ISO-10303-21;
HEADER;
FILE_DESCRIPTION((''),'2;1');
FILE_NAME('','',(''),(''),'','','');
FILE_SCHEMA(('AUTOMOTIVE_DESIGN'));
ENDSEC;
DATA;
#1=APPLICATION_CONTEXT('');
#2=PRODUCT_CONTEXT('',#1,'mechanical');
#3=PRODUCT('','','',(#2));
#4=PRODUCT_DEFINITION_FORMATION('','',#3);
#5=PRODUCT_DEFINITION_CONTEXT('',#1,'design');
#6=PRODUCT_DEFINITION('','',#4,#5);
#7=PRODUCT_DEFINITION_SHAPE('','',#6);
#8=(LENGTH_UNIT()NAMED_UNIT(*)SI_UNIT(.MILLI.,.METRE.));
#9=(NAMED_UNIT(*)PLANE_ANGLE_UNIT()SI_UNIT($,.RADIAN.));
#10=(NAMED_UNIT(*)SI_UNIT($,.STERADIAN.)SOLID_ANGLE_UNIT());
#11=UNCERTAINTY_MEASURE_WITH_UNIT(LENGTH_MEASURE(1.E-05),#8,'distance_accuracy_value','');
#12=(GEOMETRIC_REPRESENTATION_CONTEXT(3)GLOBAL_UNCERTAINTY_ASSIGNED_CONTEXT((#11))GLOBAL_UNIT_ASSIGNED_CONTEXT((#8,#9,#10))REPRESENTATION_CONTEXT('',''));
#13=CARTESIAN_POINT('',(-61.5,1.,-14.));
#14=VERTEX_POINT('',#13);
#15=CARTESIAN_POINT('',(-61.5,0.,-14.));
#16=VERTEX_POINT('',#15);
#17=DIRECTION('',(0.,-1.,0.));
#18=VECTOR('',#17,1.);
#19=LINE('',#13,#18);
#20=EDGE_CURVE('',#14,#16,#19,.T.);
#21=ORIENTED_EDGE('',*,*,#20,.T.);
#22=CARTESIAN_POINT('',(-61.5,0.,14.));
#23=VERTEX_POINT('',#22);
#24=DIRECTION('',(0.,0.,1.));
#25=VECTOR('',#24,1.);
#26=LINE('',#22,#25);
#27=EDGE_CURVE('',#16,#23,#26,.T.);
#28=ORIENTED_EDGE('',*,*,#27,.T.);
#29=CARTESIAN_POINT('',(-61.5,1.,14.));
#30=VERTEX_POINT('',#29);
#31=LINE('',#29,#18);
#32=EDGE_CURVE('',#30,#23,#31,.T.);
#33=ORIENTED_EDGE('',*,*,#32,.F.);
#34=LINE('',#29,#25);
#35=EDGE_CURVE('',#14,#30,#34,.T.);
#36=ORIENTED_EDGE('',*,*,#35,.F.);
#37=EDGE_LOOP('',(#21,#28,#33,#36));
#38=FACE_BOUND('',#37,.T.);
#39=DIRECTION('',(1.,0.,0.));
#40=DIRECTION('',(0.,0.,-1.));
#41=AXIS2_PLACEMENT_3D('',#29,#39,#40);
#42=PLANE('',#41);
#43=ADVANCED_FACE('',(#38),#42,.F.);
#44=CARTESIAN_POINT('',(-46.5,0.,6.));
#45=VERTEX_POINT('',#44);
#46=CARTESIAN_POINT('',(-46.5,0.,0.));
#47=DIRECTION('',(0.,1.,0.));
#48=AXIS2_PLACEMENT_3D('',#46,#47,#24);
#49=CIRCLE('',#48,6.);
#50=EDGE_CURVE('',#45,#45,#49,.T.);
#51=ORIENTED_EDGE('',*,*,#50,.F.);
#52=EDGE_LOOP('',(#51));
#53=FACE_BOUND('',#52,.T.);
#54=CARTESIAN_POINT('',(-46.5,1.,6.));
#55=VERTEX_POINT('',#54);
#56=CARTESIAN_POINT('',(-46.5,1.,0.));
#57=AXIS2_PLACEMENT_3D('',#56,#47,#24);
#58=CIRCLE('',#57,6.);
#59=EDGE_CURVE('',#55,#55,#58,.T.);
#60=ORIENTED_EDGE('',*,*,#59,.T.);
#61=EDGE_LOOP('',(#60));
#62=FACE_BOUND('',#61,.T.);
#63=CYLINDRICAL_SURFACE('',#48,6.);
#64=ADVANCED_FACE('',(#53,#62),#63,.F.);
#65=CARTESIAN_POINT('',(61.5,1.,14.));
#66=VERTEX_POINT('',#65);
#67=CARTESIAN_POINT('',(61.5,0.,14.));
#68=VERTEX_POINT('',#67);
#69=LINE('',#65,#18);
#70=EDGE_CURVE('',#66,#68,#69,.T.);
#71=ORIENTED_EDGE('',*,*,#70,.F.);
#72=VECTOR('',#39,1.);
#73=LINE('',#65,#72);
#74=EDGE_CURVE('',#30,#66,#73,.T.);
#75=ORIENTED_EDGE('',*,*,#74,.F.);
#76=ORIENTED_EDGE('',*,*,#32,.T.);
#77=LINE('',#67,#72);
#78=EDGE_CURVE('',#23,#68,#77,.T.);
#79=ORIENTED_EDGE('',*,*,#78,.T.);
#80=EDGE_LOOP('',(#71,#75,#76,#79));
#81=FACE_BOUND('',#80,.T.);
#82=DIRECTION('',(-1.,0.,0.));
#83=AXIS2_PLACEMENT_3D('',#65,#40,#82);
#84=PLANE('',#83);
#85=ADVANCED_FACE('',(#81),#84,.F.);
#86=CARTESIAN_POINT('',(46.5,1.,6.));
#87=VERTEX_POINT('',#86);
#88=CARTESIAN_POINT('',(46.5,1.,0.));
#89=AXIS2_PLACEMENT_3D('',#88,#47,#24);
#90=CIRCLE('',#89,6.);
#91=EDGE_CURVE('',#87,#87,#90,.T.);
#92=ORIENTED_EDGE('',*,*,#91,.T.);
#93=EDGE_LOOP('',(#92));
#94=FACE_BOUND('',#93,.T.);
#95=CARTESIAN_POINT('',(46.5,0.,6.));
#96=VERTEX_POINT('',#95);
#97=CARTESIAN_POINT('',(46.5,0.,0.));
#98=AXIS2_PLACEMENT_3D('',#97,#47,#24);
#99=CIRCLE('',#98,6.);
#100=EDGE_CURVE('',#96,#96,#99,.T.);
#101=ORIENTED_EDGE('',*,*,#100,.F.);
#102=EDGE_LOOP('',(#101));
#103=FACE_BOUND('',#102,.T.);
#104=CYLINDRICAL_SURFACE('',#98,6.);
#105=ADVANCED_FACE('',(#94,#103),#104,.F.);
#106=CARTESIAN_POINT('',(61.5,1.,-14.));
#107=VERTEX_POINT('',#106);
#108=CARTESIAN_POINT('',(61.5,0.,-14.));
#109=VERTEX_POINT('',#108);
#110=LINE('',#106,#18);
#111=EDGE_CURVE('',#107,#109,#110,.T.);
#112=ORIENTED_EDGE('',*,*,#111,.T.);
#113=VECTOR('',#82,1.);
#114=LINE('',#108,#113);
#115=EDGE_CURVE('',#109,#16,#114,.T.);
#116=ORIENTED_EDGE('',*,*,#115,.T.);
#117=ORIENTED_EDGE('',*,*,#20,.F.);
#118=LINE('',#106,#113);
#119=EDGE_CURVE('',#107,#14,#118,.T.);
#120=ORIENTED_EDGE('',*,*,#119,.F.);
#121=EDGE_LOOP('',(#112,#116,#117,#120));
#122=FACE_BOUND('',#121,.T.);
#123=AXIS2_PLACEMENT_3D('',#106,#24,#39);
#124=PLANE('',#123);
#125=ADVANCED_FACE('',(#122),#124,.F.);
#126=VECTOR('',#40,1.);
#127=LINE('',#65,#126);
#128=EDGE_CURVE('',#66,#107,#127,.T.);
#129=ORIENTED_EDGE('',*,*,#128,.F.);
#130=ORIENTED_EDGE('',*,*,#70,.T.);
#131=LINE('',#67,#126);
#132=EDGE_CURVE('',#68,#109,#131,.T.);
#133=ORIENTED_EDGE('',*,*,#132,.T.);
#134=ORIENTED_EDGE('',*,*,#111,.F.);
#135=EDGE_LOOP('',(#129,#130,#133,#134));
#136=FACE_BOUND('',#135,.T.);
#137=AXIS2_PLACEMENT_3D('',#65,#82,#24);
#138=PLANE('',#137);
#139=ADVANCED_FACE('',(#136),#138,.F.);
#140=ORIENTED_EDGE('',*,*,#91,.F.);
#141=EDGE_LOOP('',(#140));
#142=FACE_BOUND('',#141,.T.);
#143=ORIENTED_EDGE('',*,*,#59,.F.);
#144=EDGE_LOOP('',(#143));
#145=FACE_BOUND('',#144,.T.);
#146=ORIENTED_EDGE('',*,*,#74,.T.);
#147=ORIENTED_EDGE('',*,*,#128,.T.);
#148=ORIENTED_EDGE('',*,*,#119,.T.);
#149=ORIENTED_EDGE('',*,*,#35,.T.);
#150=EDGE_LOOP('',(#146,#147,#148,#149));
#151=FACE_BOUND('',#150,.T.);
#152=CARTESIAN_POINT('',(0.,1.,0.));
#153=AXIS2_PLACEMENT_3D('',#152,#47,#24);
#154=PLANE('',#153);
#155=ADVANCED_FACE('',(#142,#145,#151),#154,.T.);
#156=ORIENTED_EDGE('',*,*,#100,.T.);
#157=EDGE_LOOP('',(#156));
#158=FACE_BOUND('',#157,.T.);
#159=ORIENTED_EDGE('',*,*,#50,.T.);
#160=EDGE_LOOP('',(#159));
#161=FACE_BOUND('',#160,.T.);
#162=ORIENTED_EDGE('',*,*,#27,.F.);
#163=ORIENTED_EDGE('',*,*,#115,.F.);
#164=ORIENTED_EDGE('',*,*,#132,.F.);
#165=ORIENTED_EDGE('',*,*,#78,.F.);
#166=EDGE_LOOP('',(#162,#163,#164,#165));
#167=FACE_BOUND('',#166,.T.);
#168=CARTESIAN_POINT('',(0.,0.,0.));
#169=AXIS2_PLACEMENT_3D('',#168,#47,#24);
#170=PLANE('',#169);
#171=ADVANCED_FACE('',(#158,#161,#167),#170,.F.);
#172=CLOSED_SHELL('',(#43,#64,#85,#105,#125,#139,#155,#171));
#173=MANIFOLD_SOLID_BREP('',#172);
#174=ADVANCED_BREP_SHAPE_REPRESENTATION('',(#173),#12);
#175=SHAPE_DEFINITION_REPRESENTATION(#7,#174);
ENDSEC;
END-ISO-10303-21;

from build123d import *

# Parameters (mm, degrees)
SKIZZE1_W                       = 123
SKIZZE1_H                       = 28
AUFSATZ_LINEAR_AUSTRAGEN1_DEPTH = 1
SKIZZE2_R                       = 6
SCHNITT_LINEAR_AUSTRAGEN1_DEPTH = 64.081296753


with BuildPart() as part:
    # Skizze1 → Aufsatz-Linear austragen1 (new body)
    with BuildSketch(Plane(origin=(0, 0, 0), x_dir=(1, 0, 0), z_dir=(0, 1, 0))):
        Rectangle(SKIZZE1_W, SKIZZE1_H)
    extrude(amount=AUFSATZ_LINEAR_AUSTRAGEN1_DEPTH)

    # Skizze2 → Schnitt-Linear austragen1 (cut, through all)
    with BuildSketch(Plane(origin=(0, 1, 0), x_dir=(1, 0, 0), z_dir=(0, 1, 0))):
        with Locations(Location((46.5, 0, 0), (0, 0, 270))):
            Circle(SKIZZE2_R)
        with Locations(Location((-46.5, 0, 0), (0, 0, 270))):
            Circle(SKIZZE2_R)
    extrude(amount=-SCHNITT_LINEAR_AUSTRAGEN1_DEPTH, mode=Mode.SUBTRACT)


solid = part.part
